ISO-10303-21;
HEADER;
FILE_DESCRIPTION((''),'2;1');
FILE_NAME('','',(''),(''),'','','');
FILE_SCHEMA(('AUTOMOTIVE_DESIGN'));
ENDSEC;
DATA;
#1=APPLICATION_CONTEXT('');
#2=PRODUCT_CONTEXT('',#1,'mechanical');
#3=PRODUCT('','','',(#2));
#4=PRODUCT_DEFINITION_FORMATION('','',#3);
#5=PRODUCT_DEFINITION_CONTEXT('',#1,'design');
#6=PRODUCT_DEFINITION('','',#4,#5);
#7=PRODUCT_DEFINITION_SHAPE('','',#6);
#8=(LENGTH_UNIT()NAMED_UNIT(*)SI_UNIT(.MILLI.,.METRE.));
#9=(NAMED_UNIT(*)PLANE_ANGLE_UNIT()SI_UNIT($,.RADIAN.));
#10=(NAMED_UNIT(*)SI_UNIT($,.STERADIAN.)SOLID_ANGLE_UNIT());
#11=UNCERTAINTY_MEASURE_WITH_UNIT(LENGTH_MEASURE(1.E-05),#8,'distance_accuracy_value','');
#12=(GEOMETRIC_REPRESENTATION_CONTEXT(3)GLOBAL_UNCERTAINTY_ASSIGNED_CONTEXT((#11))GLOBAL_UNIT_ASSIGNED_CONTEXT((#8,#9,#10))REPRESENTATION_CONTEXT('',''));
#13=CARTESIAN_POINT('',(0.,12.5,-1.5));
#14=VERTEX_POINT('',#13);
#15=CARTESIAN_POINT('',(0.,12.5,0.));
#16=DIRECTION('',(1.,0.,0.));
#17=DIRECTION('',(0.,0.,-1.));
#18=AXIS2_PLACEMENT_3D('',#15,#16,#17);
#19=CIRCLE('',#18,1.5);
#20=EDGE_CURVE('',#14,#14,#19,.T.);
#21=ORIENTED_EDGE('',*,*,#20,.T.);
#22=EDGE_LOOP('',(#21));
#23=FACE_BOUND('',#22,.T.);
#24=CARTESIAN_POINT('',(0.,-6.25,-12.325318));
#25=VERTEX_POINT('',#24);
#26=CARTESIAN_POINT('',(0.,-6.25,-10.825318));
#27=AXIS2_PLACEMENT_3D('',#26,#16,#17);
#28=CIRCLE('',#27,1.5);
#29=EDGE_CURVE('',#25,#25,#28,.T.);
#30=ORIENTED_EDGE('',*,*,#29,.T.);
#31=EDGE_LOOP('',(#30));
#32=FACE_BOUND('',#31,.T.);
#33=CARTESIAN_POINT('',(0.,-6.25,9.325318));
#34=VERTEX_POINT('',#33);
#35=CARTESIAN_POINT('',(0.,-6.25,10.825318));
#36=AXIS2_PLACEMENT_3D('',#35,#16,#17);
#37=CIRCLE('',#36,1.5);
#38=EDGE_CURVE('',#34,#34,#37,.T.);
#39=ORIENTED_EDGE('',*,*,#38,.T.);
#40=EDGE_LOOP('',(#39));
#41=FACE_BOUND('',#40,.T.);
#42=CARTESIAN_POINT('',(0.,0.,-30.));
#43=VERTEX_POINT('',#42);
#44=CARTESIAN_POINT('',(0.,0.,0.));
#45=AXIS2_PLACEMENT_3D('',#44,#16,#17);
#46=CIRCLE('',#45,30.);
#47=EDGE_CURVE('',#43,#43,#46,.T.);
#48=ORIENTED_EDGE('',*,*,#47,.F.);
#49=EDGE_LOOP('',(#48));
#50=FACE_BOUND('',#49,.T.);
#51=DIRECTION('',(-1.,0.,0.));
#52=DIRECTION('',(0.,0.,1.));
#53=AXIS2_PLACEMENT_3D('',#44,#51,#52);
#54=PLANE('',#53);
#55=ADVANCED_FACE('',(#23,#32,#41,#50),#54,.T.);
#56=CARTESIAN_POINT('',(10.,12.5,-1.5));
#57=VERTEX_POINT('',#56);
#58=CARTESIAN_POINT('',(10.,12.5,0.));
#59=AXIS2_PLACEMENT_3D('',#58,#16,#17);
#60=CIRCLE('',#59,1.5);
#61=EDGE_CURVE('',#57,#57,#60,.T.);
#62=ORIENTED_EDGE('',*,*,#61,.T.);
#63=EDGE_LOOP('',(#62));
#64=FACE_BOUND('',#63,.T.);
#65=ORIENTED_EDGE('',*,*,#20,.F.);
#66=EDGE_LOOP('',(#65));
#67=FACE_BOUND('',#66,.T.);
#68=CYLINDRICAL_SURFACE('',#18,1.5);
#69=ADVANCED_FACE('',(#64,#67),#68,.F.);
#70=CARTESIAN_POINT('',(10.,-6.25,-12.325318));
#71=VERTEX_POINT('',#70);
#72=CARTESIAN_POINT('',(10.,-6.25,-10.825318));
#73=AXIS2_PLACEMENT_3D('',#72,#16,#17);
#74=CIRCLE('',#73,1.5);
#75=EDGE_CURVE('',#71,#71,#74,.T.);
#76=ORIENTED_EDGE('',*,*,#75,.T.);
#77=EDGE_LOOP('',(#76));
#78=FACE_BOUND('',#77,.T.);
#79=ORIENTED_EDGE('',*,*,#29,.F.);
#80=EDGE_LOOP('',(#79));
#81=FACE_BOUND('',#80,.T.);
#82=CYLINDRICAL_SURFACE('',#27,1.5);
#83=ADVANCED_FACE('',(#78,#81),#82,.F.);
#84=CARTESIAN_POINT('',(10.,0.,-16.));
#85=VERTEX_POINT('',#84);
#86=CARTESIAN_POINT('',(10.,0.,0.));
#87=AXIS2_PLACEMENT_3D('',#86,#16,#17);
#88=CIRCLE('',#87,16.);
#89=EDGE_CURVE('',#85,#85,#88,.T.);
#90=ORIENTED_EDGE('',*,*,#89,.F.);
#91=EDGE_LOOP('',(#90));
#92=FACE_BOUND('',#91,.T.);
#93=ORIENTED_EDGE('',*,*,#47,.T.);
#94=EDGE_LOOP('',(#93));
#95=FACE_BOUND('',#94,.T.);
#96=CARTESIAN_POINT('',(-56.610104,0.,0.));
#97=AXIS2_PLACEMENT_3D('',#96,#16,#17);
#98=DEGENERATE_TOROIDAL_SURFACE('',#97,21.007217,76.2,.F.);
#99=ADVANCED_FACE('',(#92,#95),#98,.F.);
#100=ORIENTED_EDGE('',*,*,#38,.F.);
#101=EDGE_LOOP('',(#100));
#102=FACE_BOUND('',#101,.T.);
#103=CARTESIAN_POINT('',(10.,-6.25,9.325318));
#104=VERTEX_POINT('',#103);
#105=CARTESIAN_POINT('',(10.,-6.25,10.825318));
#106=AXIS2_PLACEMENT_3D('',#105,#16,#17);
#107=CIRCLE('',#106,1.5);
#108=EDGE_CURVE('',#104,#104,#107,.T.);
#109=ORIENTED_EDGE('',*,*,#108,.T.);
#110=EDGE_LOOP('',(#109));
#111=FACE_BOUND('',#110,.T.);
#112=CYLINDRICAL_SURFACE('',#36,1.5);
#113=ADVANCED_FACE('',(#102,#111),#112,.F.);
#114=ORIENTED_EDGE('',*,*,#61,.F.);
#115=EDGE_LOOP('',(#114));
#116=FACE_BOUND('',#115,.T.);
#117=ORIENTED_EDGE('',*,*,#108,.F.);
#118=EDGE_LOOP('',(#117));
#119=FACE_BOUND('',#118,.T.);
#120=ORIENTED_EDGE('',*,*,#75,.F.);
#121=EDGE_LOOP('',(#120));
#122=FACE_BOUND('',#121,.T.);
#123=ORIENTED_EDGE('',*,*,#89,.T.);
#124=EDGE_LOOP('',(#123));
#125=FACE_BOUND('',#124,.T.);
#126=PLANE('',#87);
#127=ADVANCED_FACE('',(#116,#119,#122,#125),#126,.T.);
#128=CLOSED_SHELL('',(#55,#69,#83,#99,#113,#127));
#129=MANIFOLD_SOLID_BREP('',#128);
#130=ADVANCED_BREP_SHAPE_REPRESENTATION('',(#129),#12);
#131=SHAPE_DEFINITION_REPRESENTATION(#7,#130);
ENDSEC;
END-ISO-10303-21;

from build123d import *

# Parameters (mm, degrees)
CROQUIS3_R            = 1.5
CORTAR_EXTRUIR1_DEPTH = 10


with BuildPart() as part:
    # Croquis1 → Revolución1 (revolve)
    with BuildSketch(Plane.XY, mode=Mode.PRIVATE) as revoluci_n1_sk:
        with BuildLine():
            Line((0, 0), (0, 30))
            ThreePointArc((0, 30), (5.396386912, 23.283133509), (10, 16))
            Line((10, 16), (10, 0))
            Line((10, 0), (0, 0))
        make_face()
    revolve(revoluci_n1_sk.sketch.rotate(Axis((22.474950153, 0, 0), (-1, 0, 0)), 90), axis=Axis((22.474950153, 0, 0), (-1, 0, 0)))

    # Croquis3 → Cortar-Extruir1 (cut)
    with BuildSketch(Plane(origin=(10, 0, 0), x_dir=(0, 0, -1), z_dir=(1, 0, 0))):
        with Locations((0, 12.5)):
            Circle(CROQUIS3_R)
        with Locations((10.825317547, -6.25)):
            Circle(CROQUIS3_R)
        with Locations((-10.825317547, -6.25)):
            Circle(CROQUIS3_R)
    extrude(amount=-CORTAR_EXTRUIR1_DEPTH, mode=Mode.SUBTRACT)


solid = part.part
